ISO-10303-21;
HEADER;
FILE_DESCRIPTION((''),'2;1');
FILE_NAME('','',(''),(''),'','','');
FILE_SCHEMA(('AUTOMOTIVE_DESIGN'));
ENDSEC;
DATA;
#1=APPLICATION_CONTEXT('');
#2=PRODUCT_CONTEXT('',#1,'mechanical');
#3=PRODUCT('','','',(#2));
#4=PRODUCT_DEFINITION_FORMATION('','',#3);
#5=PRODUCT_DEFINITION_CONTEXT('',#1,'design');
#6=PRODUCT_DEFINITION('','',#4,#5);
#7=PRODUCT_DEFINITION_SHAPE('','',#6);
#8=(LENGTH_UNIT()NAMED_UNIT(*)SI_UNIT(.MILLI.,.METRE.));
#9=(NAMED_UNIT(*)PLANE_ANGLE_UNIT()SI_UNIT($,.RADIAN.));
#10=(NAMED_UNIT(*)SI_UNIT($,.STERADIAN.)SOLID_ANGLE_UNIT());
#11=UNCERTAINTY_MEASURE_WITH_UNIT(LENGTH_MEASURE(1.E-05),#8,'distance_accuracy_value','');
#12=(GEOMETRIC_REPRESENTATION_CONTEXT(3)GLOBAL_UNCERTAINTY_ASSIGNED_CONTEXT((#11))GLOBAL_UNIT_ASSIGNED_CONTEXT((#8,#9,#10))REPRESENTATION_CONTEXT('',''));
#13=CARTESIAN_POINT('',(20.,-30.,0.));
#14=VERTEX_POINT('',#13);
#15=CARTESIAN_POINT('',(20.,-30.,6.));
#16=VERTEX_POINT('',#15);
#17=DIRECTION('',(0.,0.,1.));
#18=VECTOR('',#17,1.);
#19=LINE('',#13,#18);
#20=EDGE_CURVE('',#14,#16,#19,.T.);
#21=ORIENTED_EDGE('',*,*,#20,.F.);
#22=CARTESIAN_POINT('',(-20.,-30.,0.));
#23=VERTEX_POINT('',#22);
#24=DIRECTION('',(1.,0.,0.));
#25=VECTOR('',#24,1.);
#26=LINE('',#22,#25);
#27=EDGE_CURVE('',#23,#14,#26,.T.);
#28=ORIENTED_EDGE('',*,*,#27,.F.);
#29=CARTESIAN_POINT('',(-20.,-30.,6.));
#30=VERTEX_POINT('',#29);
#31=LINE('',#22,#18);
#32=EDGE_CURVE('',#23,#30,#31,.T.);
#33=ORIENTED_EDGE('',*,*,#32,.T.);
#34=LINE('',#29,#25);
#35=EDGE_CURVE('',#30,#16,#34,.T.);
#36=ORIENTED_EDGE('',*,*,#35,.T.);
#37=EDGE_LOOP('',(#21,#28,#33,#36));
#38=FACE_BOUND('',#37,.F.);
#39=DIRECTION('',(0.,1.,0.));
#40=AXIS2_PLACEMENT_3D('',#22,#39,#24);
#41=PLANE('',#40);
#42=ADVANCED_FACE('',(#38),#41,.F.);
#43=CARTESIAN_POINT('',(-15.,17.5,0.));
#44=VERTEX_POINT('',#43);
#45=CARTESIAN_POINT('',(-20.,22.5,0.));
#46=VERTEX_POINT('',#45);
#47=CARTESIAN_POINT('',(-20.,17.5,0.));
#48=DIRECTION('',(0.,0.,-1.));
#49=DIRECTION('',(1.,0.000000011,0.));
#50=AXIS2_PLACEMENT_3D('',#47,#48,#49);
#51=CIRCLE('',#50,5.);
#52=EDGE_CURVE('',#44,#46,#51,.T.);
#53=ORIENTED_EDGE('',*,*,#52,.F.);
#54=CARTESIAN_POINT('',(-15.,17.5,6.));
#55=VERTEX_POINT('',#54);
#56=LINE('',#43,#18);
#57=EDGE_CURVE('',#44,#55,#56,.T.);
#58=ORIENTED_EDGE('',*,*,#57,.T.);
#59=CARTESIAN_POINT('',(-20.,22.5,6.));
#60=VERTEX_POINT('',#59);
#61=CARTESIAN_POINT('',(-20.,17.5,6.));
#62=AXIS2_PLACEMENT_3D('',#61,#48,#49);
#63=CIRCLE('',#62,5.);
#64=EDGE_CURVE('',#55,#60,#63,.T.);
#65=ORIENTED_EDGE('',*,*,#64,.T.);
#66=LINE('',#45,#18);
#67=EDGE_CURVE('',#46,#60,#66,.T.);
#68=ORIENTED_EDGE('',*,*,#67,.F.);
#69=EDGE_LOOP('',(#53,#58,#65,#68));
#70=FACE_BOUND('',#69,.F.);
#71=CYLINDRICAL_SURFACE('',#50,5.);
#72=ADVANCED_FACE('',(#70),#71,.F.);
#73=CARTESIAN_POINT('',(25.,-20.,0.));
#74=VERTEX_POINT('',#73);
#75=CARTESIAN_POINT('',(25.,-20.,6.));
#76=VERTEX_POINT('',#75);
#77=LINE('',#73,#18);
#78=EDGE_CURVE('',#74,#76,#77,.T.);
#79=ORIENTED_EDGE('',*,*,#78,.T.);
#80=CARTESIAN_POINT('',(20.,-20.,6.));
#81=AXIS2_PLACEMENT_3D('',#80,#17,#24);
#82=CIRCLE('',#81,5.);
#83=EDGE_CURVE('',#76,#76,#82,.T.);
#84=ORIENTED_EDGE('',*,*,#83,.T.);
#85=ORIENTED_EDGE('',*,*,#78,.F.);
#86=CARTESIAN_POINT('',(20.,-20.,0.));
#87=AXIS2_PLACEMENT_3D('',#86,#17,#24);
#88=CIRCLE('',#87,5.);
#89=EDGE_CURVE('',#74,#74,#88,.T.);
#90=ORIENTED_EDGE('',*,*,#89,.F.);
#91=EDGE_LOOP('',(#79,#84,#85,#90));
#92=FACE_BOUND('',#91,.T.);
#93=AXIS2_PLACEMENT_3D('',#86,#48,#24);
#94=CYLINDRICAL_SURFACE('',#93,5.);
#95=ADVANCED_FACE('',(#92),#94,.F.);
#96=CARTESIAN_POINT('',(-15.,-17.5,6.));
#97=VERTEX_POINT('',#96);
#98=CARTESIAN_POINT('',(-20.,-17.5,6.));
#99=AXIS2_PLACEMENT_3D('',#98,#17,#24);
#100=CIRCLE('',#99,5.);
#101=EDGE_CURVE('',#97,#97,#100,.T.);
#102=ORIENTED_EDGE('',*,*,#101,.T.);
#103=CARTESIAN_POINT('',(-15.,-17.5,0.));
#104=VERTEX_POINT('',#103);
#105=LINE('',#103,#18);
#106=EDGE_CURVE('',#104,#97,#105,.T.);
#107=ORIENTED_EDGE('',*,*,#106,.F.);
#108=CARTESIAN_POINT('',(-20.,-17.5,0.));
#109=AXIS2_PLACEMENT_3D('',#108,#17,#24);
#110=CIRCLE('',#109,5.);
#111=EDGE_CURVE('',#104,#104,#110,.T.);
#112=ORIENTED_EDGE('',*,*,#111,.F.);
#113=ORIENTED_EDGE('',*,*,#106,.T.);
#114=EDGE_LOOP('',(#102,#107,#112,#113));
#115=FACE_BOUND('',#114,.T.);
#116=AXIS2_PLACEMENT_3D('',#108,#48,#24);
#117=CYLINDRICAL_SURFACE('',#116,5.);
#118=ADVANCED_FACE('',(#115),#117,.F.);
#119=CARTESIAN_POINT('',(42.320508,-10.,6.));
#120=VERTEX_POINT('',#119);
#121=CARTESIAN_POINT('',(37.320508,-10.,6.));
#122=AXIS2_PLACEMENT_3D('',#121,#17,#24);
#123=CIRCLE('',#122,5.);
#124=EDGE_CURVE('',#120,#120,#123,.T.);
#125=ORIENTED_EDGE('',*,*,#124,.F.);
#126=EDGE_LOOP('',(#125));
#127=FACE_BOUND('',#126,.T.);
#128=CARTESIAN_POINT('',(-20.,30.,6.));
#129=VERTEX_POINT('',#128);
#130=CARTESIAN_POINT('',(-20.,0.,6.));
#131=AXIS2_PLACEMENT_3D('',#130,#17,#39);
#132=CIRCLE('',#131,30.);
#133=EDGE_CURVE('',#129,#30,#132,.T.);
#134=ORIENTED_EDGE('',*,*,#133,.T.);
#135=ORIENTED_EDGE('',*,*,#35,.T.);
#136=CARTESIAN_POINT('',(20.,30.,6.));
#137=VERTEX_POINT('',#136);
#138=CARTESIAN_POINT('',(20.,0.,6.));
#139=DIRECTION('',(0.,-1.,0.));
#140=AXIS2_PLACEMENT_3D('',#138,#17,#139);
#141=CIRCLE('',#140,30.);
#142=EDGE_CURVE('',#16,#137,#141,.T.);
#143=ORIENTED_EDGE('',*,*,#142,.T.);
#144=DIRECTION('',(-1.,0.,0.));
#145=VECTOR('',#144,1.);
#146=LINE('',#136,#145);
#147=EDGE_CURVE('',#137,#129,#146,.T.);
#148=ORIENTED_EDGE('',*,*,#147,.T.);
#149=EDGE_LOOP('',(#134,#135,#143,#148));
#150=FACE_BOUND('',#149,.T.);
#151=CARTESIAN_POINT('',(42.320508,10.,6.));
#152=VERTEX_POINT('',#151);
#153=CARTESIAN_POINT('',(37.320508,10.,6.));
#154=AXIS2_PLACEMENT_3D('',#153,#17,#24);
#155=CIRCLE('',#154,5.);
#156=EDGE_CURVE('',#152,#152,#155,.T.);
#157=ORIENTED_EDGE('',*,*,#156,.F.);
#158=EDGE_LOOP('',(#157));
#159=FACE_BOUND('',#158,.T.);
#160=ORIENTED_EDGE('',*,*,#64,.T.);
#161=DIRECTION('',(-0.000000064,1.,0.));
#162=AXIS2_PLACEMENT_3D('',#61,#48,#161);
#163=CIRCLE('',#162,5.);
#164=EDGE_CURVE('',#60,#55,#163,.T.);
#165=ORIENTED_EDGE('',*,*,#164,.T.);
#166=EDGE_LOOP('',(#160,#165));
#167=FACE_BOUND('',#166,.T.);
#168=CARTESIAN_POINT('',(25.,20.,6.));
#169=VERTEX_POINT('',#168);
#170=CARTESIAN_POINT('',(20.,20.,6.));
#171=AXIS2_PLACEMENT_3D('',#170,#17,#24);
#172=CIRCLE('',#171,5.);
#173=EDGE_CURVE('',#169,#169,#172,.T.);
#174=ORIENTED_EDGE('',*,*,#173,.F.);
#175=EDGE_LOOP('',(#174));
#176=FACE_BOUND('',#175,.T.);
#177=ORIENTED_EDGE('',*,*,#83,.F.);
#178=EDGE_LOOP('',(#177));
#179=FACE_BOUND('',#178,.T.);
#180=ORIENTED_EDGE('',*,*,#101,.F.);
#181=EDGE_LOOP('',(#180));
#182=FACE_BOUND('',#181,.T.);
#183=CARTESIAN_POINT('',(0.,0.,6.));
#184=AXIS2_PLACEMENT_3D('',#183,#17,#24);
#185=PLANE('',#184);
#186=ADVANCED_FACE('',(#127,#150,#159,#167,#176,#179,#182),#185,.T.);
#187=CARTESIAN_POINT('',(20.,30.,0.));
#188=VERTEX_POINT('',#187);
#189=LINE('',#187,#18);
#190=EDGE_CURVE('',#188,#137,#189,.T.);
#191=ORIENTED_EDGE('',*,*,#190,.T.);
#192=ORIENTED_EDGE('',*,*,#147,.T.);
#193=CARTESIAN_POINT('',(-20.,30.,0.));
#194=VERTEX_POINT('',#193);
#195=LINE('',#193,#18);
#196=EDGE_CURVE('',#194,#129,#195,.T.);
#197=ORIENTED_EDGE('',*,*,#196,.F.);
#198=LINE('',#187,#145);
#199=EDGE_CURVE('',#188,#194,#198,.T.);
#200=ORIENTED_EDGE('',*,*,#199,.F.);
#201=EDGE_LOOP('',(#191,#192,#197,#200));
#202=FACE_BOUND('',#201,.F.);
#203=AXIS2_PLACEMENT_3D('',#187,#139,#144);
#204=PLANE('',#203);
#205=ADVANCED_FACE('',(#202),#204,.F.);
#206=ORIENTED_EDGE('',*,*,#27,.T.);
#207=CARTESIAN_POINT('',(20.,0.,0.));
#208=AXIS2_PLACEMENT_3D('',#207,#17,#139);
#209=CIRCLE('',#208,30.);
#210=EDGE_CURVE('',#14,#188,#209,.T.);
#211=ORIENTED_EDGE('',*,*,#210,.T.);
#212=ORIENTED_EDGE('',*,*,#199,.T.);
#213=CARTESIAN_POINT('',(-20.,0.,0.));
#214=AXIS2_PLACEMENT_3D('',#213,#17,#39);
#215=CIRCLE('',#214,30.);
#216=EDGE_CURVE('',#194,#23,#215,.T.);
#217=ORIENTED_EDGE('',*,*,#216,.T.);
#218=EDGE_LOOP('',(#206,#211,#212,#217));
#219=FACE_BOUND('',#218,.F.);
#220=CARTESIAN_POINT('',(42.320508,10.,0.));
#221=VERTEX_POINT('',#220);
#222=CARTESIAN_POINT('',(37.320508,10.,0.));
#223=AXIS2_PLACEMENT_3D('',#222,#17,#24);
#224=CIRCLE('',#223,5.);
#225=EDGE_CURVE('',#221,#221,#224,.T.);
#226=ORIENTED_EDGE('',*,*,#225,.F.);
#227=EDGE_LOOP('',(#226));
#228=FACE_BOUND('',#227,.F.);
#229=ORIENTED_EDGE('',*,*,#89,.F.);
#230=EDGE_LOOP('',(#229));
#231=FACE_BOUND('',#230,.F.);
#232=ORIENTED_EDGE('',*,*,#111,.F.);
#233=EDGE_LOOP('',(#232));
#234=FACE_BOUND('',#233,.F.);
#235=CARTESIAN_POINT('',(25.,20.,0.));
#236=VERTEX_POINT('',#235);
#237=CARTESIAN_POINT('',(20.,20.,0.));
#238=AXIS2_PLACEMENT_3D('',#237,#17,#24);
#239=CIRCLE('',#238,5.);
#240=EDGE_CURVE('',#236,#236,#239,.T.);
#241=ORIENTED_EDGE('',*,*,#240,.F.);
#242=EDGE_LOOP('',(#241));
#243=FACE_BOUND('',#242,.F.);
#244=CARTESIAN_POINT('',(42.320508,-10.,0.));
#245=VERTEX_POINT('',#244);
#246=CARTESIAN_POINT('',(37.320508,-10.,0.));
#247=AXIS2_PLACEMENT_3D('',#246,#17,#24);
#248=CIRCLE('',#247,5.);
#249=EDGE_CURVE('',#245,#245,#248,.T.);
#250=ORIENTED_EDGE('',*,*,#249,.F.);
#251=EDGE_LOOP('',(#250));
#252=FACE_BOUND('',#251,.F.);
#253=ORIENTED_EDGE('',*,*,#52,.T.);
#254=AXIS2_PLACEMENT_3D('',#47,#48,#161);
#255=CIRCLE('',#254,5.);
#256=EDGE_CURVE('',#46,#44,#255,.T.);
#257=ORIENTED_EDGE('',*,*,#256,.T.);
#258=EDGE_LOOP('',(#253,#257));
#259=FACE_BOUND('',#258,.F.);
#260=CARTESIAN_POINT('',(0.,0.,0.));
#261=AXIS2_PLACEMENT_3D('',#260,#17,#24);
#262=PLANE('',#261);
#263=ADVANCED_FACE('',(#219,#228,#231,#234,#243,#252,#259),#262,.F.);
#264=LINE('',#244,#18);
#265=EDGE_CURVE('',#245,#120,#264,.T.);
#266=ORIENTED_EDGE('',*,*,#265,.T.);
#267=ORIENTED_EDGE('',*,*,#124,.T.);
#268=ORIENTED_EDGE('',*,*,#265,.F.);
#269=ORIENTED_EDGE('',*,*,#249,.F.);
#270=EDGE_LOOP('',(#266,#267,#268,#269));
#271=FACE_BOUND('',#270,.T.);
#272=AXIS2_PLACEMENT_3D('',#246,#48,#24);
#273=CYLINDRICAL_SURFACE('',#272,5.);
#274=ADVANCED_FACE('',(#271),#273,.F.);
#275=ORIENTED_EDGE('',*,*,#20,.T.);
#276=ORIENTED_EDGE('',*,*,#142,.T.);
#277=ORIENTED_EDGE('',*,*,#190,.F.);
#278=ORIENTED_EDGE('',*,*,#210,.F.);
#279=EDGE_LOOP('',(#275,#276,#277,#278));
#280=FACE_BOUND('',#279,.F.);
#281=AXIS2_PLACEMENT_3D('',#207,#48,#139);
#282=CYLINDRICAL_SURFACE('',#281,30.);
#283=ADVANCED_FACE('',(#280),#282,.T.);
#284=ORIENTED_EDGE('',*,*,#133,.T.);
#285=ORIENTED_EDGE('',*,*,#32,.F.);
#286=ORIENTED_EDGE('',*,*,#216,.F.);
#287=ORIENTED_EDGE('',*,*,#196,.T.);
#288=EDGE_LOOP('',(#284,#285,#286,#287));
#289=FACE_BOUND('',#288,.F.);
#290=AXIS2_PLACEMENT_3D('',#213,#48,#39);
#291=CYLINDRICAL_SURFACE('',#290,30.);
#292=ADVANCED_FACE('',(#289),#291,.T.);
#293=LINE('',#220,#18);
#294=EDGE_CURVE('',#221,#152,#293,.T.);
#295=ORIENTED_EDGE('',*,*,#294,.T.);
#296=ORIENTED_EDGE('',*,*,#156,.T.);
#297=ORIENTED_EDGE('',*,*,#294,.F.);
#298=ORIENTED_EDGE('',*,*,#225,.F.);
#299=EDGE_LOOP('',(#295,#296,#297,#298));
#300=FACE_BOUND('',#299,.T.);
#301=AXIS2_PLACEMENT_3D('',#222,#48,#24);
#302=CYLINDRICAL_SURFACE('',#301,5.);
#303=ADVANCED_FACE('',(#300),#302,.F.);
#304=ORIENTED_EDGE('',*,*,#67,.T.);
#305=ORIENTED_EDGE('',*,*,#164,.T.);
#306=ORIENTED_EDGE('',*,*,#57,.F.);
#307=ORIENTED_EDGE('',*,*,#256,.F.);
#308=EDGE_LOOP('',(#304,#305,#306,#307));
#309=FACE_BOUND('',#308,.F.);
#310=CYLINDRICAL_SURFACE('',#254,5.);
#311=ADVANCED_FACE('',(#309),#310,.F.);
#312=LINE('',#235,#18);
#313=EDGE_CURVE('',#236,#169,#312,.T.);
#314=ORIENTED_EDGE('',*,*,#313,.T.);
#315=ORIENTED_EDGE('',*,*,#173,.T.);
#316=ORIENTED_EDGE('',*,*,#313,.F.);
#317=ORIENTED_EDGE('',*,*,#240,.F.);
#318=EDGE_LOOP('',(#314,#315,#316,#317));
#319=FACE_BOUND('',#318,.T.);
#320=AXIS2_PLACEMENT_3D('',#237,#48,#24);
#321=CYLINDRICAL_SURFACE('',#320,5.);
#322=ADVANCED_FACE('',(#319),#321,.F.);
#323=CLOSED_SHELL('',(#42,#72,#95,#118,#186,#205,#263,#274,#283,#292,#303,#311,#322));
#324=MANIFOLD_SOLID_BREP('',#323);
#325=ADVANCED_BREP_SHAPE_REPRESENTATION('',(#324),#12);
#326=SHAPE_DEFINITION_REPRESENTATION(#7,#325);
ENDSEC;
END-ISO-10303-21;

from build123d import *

# Parameters (mm, degrees)
F0_R     = 5
F1_DEPTH = 6


with BuildPart() as f1:
    # F0 (on Top) → F1 (new body)
    with BuildSketch(Plane.XY):
        with BuildLine():
            ThreePointArc((20, -30), (50, 0), (20, 30))
            Line((20, 30), (-20, 30))
            ThreePointArc((-20, 30), (-50, 0), (-20, -30))
            Line((-20, -30), (20, -30))
        make_face()
        with Locations((-20, -17.5)):
            Circle(F0_R, mode=Mode.SUBTRACT)
        with Locations((20, -20)):
            Circle(F0_R, mode=Mode.SUBTRACT)
        with Locations((37.320508, -10)):
            Circle(F0_R, mode=Mode.SUBTRACT)
        with BuildLine():
            ThreePointArc((-15, 17.5), (-23.535534, 13.964466), (-20, 22.5))
            ThreePointArc((-20, 22.5), (-16.464466, 21.035534), (-15, 17.5))
        make_face(mode=Mode.SUBTRACT)
        with Locations((37.320508, 10)):
            Circle(F0_R, mode=Mode.SUBTRACT)
        with Locations((20, 20)):
            Circle(F0_R, mode=Mode.SUBTRACT)
    extrude(amount=F1_DEPTH)


solid = f1.part
